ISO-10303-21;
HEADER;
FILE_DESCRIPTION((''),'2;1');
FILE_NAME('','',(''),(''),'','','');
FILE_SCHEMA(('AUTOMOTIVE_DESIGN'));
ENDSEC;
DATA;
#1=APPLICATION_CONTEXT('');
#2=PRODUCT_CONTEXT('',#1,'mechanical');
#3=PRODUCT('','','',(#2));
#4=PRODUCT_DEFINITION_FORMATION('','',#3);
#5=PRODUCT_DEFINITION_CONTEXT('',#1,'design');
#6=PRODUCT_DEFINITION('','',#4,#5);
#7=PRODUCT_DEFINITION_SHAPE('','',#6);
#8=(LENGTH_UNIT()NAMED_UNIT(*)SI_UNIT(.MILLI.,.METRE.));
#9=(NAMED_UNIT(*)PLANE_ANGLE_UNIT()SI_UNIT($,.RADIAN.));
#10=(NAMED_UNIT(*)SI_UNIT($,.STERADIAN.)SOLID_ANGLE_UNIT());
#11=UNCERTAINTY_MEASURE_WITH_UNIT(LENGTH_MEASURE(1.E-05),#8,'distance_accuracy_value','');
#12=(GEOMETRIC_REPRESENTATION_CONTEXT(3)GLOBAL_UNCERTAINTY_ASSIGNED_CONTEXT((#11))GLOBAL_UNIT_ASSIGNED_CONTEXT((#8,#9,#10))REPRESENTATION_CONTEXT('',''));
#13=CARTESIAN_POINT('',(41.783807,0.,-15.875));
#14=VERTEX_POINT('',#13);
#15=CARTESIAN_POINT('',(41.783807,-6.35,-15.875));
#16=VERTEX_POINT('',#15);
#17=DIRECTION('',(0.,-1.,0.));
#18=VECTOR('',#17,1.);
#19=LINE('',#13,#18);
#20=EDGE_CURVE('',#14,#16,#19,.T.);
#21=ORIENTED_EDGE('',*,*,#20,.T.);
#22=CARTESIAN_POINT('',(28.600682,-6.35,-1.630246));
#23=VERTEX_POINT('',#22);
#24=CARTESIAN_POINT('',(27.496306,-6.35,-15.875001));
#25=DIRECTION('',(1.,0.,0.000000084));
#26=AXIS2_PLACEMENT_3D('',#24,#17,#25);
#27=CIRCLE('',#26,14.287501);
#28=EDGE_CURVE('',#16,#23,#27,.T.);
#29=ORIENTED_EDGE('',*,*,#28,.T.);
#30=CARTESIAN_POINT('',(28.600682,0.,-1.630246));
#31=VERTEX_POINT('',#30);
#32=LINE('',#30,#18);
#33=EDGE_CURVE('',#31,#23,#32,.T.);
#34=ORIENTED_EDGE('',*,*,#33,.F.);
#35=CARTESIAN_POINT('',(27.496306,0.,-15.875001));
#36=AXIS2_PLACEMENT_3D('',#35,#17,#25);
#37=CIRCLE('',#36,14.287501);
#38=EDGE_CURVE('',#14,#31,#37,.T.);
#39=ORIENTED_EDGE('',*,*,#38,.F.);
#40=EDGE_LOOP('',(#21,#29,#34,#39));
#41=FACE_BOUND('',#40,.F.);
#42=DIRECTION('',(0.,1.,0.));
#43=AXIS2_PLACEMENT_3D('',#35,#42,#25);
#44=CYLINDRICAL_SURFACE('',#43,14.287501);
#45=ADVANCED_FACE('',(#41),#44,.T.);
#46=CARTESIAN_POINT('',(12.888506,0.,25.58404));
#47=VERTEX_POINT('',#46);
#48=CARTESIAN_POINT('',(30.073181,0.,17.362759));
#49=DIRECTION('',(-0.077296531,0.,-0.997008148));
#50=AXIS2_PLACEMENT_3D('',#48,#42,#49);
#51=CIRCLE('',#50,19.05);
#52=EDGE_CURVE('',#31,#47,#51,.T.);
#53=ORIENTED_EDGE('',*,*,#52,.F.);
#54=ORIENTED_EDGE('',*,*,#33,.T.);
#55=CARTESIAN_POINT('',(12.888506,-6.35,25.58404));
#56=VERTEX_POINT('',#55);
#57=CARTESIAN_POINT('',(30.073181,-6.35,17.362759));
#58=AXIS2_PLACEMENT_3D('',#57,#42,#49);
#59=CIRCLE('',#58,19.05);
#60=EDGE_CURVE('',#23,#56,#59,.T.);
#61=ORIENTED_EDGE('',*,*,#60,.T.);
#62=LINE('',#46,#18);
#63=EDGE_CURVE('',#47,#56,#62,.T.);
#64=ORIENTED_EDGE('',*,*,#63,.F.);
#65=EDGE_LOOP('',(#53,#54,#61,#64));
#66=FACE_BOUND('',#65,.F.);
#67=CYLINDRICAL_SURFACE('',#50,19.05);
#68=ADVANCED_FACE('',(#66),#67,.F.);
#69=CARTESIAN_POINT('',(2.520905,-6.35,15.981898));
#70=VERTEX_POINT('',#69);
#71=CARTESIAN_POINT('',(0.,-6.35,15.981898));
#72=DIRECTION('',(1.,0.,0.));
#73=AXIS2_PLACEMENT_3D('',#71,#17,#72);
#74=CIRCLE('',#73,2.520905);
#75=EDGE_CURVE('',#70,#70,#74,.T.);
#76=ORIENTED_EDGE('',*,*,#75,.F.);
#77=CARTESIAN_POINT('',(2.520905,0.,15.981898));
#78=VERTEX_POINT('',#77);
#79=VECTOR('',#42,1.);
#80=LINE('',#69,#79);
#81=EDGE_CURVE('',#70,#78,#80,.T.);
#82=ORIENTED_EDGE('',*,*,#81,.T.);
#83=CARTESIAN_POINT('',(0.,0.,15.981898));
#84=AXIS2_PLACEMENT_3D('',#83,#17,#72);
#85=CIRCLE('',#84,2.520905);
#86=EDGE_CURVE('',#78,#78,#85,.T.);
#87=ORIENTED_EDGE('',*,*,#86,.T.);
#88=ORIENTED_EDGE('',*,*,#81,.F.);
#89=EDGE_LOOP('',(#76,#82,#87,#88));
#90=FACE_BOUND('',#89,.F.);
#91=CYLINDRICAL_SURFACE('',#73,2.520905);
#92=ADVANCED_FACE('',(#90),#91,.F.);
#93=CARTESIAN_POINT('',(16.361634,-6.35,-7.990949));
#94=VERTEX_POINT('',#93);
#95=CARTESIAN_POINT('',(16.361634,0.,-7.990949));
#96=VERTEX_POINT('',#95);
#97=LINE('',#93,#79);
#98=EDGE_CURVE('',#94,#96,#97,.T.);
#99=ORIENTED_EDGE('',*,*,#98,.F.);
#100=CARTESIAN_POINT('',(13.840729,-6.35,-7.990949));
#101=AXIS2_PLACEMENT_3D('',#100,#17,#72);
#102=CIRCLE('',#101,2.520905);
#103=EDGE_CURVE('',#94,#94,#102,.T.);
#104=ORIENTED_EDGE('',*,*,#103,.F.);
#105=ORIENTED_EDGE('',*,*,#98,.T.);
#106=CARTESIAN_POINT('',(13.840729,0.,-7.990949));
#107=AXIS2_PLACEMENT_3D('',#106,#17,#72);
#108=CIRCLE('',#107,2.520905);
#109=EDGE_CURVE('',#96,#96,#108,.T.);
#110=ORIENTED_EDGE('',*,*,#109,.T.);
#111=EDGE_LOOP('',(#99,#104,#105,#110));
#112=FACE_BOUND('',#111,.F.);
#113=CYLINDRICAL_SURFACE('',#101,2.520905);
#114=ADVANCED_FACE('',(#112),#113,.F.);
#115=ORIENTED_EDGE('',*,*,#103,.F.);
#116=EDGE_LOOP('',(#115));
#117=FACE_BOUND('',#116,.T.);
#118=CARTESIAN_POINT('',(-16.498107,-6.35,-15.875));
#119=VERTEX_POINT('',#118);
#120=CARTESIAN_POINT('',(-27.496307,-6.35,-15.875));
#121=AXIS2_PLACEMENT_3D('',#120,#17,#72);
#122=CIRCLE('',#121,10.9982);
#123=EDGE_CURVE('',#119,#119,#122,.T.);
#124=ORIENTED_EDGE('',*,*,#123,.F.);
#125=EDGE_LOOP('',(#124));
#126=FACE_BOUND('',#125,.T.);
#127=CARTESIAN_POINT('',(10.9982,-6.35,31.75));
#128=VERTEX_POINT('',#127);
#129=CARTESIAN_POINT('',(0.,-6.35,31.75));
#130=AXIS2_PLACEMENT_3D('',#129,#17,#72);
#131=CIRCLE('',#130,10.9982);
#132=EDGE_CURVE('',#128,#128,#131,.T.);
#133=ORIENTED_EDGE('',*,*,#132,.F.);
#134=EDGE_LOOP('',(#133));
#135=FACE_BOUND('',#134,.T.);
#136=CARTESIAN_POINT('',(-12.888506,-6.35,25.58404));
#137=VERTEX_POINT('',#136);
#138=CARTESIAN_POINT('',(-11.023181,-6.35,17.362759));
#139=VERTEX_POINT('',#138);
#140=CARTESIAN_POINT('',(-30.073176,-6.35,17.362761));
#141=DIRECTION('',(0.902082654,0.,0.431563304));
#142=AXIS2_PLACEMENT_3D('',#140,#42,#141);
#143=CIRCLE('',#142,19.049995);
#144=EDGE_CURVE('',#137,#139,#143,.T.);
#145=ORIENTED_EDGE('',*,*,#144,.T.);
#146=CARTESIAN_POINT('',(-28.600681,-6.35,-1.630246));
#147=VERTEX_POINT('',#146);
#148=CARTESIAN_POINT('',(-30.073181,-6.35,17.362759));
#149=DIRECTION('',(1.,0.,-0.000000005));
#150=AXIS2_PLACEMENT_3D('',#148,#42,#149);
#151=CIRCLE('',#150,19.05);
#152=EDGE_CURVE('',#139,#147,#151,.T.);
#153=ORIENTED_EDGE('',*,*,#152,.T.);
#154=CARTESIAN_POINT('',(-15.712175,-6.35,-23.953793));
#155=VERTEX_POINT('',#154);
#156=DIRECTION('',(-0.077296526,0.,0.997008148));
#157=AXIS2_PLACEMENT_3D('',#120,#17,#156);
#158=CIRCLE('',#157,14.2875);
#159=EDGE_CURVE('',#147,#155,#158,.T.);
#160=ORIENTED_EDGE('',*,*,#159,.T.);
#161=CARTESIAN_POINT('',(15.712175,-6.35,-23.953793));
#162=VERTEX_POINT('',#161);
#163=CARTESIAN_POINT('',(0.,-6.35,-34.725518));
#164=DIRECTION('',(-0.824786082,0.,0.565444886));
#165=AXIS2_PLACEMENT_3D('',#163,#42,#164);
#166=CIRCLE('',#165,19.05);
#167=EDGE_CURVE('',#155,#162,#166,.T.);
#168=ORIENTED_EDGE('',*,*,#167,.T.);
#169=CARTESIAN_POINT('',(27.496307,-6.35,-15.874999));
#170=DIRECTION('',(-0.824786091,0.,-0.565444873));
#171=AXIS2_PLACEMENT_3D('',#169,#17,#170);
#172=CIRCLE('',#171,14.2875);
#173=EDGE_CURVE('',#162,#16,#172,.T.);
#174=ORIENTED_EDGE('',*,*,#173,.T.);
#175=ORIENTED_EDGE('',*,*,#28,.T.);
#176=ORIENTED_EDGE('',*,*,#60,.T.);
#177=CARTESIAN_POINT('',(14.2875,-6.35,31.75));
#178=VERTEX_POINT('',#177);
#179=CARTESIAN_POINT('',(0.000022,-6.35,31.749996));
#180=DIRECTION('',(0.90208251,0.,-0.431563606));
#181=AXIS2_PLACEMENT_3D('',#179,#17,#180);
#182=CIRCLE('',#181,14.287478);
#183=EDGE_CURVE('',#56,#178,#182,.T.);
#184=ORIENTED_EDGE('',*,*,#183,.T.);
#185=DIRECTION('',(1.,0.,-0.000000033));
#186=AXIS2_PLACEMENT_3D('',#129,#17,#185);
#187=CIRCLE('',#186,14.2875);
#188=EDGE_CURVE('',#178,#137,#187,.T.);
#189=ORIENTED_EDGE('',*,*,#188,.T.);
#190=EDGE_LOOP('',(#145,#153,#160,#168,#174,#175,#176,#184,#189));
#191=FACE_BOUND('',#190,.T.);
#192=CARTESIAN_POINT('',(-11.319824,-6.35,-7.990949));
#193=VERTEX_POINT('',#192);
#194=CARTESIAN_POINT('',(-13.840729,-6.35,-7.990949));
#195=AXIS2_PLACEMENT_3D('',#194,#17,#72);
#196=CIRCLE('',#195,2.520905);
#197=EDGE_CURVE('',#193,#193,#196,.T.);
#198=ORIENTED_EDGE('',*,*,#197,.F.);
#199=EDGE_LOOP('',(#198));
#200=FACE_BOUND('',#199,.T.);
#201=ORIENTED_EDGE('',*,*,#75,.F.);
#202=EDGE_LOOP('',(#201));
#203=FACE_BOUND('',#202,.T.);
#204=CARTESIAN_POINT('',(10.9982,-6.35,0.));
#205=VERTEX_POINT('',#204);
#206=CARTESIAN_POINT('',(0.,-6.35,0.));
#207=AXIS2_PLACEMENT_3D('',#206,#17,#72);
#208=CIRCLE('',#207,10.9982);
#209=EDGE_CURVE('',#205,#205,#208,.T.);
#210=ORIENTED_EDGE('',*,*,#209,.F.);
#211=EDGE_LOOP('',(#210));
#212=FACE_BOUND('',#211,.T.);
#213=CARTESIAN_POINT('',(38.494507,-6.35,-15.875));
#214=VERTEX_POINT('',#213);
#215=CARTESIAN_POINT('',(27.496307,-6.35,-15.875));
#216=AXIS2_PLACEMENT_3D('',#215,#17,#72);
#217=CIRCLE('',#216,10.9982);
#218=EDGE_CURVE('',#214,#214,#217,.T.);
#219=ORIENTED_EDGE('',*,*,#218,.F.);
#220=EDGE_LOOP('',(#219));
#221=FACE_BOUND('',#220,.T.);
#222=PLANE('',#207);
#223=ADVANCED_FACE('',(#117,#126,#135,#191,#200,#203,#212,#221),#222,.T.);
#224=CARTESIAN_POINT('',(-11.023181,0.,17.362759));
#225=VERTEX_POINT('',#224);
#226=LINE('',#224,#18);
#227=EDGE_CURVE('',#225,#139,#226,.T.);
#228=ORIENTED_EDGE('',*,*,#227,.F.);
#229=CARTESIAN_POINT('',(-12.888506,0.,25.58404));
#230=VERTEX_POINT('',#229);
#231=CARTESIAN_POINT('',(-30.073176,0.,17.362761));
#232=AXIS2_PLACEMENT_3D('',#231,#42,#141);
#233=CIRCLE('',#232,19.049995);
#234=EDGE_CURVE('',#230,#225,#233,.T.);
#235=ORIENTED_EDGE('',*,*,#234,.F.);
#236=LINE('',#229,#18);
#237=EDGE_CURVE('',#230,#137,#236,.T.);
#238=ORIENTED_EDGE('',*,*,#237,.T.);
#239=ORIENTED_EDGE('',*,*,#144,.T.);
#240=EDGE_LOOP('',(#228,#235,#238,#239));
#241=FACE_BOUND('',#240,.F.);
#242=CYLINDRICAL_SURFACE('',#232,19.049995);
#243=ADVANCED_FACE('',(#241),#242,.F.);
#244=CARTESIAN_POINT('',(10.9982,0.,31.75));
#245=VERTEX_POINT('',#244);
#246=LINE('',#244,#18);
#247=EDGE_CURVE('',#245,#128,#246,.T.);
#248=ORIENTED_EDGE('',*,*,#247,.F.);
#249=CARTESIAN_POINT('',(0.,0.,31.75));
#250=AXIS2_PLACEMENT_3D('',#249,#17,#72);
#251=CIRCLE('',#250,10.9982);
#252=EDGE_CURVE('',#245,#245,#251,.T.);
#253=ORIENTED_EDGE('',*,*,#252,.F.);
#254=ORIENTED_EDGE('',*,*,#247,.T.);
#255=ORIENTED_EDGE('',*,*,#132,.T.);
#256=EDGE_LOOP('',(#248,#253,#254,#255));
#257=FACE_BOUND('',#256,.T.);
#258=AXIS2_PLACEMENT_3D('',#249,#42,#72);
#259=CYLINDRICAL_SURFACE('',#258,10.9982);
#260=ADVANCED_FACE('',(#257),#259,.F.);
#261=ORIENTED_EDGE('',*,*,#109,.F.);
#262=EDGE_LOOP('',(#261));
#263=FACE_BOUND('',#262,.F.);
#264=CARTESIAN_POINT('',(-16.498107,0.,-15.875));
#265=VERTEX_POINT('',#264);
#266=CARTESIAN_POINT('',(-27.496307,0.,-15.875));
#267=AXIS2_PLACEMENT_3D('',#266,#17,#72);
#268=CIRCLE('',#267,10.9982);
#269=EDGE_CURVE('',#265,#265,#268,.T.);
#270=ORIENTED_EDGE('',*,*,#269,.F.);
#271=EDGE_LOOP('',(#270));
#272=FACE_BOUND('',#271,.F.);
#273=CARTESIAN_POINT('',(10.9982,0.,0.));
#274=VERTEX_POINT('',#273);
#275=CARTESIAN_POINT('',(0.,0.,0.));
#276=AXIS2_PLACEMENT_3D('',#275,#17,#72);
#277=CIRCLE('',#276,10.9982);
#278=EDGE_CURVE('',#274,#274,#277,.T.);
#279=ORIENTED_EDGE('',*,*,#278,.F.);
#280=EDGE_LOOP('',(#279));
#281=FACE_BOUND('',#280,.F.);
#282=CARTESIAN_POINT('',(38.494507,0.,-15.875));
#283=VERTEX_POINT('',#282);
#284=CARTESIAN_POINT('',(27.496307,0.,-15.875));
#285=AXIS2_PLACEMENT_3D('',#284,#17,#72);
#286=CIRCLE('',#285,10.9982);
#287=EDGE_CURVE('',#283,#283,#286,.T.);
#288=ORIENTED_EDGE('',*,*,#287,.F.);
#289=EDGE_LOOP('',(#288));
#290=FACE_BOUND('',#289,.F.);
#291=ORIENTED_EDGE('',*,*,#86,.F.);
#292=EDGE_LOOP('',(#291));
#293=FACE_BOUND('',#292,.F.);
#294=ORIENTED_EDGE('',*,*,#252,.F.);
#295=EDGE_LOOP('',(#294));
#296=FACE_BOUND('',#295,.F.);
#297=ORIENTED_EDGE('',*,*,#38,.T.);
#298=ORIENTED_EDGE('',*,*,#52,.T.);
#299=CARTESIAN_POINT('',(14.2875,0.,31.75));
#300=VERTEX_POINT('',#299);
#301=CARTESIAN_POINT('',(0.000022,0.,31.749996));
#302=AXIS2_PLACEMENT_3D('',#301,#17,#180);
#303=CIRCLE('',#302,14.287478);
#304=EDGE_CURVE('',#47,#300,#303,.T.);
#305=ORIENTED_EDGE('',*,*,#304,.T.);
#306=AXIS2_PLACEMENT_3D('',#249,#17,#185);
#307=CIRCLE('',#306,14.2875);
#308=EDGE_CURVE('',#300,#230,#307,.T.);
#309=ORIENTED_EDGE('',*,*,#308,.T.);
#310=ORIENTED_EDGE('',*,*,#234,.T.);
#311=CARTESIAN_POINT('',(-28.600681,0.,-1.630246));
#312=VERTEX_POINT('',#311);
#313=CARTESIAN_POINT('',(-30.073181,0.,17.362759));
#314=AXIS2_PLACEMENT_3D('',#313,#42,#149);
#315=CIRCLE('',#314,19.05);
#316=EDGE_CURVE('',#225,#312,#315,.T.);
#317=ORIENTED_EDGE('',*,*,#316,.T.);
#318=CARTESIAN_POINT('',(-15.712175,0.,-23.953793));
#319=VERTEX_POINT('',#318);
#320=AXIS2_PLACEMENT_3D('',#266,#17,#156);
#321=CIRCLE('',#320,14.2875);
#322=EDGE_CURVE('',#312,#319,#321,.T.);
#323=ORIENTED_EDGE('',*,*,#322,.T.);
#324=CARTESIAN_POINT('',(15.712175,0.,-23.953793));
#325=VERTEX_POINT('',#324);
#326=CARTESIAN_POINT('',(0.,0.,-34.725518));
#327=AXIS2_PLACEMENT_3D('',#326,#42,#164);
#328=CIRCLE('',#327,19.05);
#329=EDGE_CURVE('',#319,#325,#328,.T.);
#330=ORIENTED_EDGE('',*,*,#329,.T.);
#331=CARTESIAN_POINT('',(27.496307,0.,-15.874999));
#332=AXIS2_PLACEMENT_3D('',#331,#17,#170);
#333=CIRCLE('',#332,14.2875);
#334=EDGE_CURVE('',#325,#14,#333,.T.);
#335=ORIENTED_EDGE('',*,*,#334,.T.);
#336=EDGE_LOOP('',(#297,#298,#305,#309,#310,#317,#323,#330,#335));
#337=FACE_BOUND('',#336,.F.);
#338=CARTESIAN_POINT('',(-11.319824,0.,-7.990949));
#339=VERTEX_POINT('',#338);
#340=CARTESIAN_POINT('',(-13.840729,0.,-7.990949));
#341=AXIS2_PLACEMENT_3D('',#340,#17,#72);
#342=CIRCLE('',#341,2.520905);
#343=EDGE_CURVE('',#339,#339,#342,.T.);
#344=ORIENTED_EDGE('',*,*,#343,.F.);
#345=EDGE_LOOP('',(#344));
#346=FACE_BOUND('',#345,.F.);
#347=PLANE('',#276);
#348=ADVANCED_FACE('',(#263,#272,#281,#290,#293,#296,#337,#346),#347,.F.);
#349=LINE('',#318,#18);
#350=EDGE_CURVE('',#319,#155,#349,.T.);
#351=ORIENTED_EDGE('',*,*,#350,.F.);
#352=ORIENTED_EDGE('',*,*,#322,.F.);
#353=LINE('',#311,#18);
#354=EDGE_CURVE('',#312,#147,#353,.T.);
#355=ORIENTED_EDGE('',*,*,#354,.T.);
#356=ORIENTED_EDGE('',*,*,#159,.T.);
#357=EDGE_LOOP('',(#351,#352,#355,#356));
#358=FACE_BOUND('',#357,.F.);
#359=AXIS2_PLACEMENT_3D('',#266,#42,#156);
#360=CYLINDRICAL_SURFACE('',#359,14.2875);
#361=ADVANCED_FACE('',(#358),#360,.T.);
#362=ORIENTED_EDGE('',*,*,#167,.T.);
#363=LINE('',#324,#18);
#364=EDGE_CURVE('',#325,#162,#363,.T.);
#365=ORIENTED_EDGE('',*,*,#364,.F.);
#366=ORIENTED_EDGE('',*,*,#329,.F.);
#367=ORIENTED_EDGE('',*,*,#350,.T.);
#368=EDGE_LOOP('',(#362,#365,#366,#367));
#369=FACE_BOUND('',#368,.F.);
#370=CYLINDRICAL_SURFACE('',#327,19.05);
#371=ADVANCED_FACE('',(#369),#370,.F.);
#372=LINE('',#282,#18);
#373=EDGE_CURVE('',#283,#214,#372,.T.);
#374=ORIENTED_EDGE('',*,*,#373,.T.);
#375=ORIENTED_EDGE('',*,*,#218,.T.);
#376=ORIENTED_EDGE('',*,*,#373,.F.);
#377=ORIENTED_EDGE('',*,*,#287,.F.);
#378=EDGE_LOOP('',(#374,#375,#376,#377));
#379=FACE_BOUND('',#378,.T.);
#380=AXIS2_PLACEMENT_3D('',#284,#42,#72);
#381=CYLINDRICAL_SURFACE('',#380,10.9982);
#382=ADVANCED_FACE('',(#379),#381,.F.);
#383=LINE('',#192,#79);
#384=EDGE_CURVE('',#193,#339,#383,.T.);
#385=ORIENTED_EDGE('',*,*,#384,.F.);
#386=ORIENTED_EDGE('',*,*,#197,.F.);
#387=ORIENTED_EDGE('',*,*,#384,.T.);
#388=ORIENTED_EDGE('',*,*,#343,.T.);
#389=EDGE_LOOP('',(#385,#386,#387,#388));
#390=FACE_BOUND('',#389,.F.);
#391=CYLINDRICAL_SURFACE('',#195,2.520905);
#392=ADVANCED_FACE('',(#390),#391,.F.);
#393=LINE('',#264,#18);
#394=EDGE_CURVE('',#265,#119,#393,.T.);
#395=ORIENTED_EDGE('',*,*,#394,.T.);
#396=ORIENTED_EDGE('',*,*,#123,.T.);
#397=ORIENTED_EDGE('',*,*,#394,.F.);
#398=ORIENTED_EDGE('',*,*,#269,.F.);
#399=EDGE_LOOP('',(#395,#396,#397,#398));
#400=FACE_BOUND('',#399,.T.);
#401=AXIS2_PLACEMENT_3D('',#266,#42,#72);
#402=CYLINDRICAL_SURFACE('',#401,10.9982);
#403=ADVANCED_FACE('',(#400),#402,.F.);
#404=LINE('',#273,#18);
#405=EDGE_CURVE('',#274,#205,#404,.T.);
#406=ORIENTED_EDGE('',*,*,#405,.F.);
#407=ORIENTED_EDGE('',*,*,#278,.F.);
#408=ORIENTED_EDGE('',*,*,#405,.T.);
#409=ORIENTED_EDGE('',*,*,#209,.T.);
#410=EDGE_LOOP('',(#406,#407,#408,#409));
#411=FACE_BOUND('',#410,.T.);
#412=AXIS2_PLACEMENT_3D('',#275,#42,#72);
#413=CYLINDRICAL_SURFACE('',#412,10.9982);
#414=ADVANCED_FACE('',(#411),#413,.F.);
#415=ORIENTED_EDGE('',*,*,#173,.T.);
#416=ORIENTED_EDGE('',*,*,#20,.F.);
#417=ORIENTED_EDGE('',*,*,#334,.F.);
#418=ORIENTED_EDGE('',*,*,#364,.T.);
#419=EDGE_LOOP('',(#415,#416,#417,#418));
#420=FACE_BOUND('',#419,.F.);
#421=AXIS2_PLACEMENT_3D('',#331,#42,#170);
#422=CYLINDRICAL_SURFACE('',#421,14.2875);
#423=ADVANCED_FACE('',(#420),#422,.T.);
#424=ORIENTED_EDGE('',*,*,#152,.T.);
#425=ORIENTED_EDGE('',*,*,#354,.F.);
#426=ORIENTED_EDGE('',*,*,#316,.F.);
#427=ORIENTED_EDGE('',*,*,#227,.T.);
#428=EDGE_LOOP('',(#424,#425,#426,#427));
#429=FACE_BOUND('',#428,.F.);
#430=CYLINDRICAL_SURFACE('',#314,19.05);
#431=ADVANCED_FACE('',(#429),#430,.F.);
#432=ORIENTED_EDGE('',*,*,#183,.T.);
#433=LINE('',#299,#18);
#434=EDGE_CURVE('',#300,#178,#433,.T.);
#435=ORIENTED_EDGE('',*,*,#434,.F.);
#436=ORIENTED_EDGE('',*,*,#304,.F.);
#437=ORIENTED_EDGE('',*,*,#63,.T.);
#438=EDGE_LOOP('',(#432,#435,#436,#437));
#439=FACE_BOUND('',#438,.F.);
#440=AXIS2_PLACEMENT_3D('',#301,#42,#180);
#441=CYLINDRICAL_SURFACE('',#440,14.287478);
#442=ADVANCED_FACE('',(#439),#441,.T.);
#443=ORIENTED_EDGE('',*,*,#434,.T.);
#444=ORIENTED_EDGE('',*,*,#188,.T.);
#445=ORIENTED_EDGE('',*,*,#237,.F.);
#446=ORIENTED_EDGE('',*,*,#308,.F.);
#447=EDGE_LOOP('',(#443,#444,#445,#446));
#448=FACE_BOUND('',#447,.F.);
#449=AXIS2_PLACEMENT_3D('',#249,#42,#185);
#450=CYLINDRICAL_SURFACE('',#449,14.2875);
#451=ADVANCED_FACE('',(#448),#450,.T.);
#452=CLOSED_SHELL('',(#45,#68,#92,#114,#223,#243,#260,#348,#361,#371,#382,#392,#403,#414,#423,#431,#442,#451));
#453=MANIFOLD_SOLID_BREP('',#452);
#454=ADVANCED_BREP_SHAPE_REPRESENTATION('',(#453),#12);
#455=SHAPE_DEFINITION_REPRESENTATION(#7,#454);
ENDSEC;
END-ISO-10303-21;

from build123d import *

# Parameters (mm, degrees)
F1_R     = 10.9982
F1_R_2   = 14.2875
F2_DEPTH = 6.35
F0_R     = 14.2875
F0_R_2   = 10.9982
F3_DEPTH = 6.35
F4_R     = 2.520905
F5_DEPTH = 6.351


with BuildPart() as f2:
    # F1 (on Front) → F2 (new body)
    with BuildSketch(Plane.XZ):
        with BuildLine():
            ThreePointArc((14.2875, 31.75), (-3.161339, 45.683363), (-12.888506, 25.58404))
            ThreePointArc((-12.888506, 25.58404), (0, 17.4625), (12.888506, 25.58404))
            ThreePointArc((12.888506, 25.58404), (13.933363, 28.588661), (14.2875, 31.75))
        make_face()
        with Locations((0, 31.75)):
            Circle(F1_R, mode=Mode.SUBTRACT)
        with BuildLine():
            ThreePointArc((41.783807, -15.875), (37.982283, -6.170519), (28.600682, -1.630246))
            ThreePointArc((28.600682, -1.630246), (15.122969, -8.73125), (15.712175, -23.953793))
            ThreePointArc((15.712175, -23.953793), (31.725188, -29.522315), (41.783807, -15.875))
        make_face()
        with Locations((27.496307, -15.875)):
            Circle(F1_R, mode=Mode.SUBTRACT)
        with BuildLine():
            ThreePointArc((-13.208807, -15.875), (-17.791826, -5.389023), (-28.600681, -1.630246))
            ThreePointArc((-28.600681, -1.630246), (-39.869645, -23.01875), (-15.712175, -23.953793))
            ThreePointArc((-15.712175, -23.953793), (-13.848991, -20.103882), (-13.208807, -15.875))
        make_face()
        with Locations((-27.496307, -15.875)):
            Circle(F1_R, mode=Mode.SUBTRACT)
        with BuildLine():
            ThreePointArc((-12.888506, 25.58404), (-11.495364, 21.577878), (-11.023181, 17.362759))
            ThreePointArc((-11.023181, 17.362759), (-16.091879, 4.423451), (-28.600681, -1.630246))
            ThreePointArc((-28.600681, -1.630246), (-17.791826, -5.389023), (-13.208807, -15.875))
            ThreePointArc((-13.208807, -15.875), (-13.848991, -20.103882), (-15.712175, -23.953793))
            ThreePointArc((-15.712175, -23.953793), (0, -15.675518), (15.712175, -23.953793))
            ThreePointArc((15.712175, -23.953793), (15.122969, -8.73125), (28.600682, -1.630246))
            ThreePointArc((28.600682, -1.630246), (13.575397, 7.837759), (12.888506, 25.58404))
            ThreePointArc((12.888506, 25.58404), (0, 17.4625), (-12.888506, 25.58404))
        make_face()
        Circle(F1_R_2, mode=Mode.SUBTRACT)
    extrude(amount=F2_DEPTH)

    # F0 (on Front) → F3 (join)
    with BuildSketch(Plane.XZ):
        Circle(F0_R)
        Circle(F0_R_2, mode=Mode.SUBTRACT)
    extrude(amount=F3_DEPTH)

    # F4 (on face) → F5 (cut, through all)
    with BuildSketch(Plane.XZ.offset(6.35)):
        with Locations((0, 15.981898)):
            Circle(F4_R)
        with Locations((-13.840729, -7.990949)):
            Circle(F4_R)
        with Locations((13.840729, -7.990949)):
            Circle(F4_R)
    extrude(amount=-F5_DEPTH, mode=Mode.SUBTRACT)


solid = f2.part
